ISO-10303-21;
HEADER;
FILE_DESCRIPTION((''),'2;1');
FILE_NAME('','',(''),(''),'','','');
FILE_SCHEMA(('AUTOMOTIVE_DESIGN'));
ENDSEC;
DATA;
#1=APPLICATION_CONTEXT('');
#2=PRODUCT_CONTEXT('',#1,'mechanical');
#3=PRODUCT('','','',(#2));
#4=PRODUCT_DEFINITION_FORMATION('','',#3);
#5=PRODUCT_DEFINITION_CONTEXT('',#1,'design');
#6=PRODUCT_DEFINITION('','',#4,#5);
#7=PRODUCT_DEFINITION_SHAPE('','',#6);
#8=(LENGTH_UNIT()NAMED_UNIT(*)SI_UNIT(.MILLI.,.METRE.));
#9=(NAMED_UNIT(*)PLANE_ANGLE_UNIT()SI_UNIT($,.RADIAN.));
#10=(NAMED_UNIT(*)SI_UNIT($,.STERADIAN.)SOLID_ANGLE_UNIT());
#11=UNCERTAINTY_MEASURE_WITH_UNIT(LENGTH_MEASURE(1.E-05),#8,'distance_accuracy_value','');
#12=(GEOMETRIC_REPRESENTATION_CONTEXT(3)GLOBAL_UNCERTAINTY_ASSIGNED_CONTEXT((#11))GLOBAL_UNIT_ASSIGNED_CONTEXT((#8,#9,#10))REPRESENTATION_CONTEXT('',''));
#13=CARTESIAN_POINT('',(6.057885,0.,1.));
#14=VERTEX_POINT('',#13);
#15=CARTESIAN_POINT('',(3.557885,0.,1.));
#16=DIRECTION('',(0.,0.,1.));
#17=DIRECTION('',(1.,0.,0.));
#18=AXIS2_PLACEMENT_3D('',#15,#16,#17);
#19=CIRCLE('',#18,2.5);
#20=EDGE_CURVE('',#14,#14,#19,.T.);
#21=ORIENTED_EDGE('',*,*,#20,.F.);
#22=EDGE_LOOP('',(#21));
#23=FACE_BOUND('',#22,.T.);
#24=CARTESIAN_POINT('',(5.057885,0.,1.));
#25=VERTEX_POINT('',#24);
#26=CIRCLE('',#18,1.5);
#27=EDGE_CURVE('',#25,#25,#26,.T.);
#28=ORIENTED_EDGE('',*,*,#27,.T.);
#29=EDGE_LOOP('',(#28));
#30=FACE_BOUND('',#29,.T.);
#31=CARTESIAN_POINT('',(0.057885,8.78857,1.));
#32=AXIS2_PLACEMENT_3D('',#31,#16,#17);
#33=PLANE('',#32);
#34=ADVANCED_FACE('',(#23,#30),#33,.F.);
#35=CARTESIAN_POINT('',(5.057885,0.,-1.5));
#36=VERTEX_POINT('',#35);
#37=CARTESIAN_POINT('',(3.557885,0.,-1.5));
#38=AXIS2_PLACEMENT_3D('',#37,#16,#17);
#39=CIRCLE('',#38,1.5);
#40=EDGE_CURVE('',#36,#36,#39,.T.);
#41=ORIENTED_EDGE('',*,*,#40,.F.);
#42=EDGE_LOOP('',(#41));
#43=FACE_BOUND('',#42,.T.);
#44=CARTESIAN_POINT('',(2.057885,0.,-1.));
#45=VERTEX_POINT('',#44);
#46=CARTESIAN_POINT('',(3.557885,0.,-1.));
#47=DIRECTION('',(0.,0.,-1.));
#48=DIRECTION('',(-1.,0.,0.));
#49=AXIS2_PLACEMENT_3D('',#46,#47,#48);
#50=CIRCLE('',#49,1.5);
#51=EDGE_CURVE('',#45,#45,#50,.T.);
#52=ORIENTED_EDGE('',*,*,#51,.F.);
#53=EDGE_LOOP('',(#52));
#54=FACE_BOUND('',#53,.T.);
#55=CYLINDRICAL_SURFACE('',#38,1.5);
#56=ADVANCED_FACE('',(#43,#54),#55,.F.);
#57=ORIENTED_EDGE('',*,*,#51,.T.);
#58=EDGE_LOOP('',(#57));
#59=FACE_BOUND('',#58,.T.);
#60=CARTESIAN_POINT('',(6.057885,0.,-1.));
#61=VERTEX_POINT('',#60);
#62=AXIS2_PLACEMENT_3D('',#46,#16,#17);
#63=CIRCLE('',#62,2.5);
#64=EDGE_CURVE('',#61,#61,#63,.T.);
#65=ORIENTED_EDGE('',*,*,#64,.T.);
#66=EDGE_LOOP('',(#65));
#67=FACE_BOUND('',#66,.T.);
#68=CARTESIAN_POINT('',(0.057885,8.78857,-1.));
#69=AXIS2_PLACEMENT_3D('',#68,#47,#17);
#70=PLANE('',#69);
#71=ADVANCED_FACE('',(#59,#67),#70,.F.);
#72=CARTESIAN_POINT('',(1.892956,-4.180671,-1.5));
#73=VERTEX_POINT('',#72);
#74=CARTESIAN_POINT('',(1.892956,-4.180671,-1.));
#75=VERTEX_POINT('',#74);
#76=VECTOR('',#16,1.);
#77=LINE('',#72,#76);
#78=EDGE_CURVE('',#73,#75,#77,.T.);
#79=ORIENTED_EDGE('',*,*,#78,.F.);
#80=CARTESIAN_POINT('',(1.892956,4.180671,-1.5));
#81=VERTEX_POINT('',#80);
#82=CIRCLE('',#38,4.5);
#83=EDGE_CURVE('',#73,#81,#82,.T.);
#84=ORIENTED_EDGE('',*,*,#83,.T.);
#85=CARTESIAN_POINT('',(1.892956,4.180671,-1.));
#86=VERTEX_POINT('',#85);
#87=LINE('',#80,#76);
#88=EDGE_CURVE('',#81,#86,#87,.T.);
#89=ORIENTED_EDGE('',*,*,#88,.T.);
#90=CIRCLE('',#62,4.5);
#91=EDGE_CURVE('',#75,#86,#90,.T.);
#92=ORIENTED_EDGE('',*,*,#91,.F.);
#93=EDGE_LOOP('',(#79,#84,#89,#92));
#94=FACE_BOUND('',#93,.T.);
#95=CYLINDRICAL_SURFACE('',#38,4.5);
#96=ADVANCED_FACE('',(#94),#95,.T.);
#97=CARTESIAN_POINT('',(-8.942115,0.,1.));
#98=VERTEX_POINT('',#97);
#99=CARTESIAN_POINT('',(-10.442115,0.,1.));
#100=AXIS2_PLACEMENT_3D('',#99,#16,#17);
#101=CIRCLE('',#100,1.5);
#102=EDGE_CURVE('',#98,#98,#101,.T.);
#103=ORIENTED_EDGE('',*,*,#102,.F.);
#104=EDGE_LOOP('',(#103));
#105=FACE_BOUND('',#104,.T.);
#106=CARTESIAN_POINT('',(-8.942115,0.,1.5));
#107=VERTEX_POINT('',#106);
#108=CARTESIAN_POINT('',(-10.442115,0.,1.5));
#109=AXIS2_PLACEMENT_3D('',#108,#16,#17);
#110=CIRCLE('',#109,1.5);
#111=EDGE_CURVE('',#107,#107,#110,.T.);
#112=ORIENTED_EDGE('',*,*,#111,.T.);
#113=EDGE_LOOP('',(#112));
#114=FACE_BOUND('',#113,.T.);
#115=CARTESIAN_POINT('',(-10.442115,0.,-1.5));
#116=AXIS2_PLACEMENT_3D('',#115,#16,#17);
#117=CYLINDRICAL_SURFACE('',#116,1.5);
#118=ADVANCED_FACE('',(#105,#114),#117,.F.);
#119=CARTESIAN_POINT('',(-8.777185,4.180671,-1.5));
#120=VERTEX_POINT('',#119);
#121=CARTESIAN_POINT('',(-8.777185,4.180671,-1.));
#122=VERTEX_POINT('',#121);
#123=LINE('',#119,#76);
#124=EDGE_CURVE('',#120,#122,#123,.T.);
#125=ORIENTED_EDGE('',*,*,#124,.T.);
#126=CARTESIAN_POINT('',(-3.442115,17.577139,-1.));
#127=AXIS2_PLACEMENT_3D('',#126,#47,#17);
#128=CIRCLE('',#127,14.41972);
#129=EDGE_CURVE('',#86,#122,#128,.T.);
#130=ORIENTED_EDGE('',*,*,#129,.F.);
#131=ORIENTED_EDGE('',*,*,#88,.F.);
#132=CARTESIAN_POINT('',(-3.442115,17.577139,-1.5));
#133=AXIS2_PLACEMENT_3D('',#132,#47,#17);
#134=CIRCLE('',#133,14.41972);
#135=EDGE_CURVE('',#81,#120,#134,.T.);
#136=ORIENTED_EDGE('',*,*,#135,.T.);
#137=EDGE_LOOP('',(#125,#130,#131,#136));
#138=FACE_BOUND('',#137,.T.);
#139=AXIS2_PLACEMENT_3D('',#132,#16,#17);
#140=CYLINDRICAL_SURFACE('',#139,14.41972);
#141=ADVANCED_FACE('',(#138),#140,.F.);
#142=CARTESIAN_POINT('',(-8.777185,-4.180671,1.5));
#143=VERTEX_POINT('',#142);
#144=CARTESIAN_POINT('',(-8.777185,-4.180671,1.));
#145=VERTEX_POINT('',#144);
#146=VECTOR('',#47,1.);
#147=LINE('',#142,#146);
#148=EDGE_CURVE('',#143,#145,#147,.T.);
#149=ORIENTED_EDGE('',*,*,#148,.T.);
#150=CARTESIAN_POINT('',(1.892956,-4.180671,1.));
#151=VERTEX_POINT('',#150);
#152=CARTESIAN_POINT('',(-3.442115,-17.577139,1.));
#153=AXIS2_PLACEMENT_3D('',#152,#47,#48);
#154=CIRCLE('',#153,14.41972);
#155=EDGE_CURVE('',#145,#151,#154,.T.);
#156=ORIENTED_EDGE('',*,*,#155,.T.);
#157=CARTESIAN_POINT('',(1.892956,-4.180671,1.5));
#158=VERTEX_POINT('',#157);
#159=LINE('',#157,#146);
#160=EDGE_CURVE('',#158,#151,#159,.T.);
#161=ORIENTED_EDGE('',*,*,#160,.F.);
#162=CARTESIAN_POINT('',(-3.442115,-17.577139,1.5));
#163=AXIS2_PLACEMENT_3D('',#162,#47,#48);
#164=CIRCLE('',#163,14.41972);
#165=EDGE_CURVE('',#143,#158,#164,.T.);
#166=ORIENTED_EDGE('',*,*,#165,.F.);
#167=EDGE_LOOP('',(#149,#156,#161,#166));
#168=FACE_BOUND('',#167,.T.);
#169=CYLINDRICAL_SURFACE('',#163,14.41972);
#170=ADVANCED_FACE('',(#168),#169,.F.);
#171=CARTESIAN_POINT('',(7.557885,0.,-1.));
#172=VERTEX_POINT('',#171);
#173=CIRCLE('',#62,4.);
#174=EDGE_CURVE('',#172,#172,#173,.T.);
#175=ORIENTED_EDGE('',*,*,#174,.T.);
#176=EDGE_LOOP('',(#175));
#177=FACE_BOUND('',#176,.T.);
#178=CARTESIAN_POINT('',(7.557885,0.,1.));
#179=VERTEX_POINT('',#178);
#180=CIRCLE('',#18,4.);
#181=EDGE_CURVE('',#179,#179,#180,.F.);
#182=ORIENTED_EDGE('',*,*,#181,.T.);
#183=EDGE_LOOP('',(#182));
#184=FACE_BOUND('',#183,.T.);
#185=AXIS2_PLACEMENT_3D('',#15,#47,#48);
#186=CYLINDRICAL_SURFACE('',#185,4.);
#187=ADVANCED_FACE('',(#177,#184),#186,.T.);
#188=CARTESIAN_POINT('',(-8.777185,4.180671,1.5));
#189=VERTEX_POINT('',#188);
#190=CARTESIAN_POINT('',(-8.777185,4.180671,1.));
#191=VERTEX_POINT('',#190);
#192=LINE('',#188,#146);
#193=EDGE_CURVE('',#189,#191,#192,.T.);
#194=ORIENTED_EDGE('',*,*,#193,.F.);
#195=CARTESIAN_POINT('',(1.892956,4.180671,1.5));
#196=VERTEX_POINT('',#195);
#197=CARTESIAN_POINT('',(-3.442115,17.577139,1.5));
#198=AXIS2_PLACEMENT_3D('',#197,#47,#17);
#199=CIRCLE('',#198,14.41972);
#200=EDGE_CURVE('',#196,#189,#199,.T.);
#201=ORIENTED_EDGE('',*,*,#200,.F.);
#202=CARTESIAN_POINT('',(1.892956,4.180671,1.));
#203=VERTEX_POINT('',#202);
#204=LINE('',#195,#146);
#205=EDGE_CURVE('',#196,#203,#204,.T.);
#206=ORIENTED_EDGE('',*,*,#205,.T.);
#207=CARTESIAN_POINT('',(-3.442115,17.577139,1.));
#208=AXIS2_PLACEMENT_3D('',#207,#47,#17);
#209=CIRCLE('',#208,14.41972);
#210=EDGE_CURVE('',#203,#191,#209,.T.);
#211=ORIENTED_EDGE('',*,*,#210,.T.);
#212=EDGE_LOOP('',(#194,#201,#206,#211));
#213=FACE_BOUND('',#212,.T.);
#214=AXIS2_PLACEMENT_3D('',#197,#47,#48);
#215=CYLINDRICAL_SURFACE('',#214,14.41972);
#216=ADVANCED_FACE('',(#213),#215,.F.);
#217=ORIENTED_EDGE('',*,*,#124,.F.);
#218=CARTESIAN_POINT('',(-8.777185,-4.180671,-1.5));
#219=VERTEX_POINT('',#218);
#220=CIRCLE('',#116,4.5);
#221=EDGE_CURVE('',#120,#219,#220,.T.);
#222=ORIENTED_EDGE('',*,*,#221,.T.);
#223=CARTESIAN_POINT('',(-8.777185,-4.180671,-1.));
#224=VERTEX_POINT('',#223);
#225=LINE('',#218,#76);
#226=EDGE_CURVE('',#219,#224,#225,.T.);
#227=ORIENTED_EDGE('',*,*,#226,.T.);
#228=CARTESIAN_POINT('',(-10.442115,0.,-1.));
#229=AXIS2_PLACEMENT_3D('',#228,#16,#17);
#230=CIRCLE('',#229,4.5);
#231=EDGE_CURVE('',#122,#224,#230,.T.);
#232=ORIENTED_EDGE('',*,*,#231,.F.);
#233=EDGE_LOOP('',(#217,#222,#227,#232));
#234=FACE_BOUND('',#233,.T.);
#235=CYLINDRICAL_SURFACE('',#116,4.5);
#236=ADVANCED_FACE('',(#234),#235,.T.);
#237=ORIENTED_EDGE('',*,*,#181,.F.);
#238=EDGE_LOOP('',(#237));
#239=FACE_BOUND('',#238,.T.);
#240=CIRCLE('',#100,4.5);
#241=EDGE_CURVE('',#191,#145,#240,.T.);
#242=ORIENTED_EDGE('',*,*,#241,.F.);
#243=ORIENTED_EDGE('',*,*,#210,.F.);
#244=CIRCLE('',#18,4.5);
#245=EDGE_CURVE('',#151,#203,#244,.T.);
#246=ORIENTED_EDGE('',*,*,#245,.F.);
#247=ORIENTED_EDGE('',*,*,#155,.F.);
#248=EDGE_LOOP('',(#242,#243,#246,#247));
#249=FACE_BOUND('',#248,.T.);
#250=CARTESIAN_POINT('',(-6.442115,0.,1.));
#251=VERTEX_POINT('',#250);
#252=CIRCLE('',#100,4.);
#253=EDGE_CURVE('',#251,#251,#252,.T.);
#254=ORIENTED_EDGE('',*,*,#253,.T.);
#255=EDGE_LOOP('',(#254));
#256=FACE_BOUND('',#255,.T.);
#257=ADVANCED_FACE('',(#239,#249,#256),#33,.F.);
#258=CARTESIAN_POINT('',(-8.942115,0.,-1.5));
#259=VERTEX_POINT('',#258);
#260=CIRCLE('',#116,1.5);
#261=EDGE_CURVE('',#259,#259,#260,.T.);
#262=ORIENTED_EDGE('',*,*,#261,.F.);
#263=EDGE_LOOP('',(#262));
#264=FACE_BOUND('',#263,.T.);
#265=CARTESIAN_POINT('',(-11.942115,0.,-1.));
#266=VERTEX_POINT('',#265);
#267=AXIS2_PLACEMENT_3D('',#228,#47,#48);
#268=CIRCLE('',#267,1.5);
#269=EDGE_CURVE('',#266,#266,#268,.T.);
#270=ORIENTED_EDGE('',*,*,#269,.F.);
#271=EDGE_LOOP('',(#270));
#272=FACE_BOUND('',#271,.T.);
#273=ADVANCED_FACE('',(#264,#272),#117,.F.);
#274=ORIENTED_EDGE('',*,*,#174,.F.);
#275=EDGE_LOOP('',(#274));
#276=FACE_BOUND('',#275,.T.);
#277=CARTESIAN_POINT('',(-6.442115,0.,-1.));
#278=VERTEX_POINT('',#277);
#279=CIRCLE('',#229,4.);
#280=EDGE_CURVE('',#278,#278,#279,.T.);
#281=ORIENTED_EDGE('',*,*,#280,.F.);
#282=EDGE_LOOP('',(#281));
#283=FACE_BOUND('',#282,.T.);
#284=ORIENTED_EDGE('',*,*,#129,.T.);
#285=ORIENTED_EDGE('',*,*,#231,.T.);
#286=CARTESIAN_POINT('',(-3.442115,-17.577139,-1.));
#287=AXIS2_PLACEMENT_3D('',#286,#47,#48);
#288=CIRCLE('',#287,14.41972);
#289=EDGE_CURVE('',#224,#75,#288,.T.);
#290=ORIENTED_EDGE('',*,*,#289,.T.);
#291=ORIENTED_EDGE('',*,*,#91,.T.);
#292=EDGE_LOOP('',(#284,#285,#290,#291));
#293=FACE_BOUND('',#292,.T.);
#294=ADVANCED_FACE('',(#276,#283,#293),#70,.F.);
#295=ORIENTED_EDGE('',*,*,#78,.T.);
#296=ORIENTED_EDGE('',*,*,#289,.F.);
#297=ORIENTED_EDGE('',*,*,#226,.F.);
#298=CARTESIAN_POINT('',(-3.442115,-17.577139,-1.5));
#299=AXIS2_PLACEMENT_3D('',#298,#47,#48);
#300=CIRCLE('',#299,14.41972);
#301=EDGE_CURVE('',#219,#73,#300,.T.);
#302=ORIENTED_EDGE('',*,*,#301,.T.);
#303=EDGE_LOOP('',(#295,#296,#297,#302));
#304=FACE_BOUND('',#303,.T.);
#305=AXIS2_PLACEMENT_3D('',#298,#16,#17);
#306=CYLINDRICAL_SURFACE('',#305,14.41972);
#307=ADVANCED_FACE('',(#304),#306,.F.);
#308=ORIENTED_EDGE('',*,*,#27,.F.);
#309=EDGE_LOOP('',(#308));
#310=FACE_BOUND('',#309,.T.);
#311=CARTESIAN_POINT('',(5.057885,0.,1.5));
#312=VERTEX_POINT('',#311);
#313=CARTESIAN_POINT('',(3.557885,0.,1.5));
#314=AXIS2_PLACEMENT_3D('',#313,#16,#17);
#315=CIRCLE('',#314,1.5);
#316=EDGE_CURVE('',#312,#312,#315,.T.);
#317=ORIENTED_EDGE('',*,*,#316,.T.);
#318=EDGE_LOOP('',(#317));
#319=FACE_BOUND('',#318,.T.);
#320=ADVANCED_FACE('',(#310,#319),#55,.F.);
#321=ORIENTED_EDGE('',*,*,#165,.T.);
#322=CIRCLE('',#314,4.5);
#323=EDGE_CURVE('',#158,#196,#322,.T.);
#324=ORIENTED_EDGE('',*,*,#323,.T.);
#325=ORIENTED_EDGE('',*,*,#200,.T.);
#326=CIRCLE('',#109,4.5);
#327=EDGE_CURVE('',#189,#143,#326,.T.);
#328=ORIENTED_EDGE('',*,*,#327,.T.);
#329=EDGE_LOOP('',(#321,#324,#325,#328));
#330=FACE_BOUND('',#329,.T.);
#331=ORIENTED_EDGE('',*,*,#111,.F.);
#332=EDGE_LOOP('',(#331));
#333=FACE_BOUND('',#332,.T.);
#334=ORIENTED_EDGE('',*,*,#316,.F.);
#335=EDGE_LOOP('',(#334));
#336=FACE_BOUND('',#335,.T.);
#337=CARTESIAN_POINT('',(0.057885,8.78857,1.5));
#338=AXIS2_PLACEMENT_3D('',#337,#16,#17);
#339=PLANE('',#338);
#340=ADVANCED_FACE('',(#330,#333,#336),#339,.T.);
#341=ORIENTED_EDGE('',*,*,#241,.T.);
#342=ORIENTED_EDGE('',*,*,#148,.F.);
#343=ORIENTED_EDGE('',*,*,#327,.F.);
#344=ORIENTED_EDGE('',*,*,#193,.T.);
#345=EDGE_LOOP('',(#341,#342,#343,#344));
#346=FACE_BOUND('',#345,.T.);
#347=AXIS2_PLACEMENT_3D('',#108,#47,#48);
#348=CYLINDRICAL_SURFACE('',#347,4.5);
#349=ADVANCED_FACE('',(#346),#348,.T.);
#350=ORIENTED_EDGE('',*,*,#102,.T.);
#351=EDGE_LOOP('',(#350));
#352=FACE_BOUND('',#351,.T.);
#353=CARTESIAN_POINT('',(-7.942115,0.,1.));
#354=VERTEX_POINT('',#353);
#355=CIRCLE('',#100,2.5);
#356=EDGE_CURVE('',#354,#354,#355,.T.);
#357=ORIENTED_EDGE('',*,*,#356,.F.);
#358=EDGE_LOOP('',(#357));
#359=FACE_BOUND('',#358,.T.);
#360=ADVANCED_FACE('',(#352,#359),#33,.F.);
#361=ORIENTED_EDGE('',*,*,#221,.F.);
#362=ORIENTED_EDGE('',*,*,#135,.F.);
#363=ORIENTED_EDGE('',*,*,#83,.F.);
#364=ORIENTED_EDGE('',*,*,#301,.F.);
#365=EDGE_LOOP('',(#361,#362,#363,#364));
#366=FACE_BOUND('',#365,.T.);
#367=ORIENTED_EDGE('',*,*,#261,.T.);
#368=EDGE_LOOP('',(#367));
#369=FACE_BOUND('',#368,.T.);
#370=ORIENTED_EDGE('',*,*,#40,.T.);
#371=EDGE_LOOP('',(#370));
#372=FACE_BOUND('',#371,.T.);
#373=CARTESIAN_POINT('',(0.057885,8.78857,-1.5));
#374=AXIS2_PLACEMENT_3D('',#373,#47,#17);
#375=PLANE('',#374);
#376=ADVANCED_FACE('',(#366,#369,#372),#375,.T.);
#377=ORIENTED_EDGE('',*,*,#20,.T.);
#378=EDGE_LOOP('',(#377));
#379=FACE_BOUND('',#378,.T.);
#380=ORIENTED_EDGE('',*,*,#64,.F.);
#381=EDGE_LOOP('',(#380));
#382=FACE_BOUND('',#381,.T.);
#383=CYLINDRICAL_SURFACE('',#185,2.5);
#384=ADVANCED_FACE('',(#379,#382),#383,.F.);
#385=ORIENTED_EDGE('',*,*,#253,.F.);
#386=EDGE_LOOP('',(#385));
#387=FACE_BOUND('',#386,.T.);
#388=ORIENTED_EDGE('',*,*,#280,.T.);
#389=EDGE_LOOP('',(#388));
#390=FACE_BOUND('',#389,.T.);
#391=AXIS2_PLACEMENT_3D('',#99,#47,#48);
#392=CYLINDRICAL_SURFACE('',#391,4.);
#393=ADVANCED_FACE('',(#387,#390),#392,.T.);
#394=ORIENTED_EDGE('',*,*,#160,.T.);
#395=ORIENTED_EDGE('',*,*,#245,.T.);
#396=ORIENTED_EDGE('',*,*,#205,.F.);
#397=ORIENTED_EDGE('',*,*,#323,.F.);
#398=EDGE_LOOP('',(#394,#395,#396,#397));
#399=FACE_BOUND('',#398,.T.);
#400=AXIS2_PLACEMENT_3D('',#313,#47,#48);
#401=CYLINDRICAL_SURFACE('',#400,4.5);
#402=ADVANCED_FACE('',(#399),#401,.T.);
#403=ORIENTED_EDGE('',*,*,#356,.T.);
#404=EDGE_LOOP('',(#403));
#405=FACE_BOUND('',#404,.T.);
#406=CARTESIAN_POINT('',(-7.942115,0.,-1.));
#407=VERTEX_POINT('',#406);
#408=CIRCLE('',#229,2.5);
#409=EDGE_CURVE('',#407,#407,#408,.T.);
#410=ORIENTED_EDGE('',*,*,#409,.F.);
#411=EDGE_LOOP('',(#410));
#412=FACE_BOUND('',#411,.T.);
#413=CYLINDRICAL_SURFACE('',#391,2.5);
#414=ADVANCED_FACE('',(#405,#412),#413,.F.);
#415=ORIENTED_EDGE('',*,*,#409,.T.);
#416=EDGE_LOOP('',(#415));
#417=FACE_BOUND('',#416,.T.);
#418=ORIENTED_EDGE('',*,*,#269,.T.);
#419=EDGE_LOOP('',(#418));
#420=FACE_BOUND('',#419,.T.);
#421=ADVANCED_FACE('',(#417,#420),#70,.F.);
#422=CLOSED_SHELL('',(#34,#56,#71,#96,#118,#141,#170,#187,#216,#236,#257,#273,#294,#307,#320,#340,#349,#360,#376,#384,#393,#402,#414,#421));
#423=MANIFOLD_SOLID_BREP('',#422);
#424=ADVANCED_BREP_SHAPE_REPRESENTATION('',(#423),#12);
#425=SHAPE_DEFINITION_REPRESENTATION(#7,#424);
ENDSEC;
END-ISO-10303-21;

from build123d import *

# Parameters (mm, degrees)
SKETCH1_R               = 4
SKETCH1_R_2             = 2.5
BOSS_EXTRUDE1_DEPTH     = 1
BOSS_EXTRUDE1_2_DEPTH   = 1
BOSS_EXTRUDE2_START     = 1
BOSS_EXTRUDE2_DEPTH     = 0.5
CUT_EXTRUDE1_DEPTH      = 16.67695104
CUT_EXTRUDE1_DEPTH_BACK = 16.67695104
SKETCH4_R               = 1.5


with BuildPart() as part:
    # Sketch1 → Boss-Extrude1 (new, symmetric)
    with BuildSketch(Plane.XY):
        with Locations((-10.442114773, 0)):
            Circle(SKETCH1_R)
        with Locations((-10.442114773, 0)):
            Circle(SKETCH1_R_2, mode=Mode.SUBTRACT)
    extrude(amount=BOSS_EXTRUDE1_DEPTH, both=True)



with BuildPart() as body_2:
    # Sketch1 → Boss-Extrude1 2 (new, symmetric)
    with BuildSketch(Plane.XY):
        with Locations((3.557885227, 0)):
            Circle(SKETCH1_R)
        with Locations((3.557885227, 0)):
            Circle(SKETCH1_R_2, mode=Mode.SUBTRACT)
    extrude(amount=BOSS_EXTRUDE1_2_DEPTH, both=True)


with BuildPart() as part_1:
    add(part.part)

    add(body_2.part)  # Boss-Extrude2 merges body 2
    # Sketch2 → Boss-Extrude2 (add)
    with BuildSketch(Plane.XY.offset(BOSS_EXTRUDE2_START)):
        with BuildLine():
            ThreePointArc((-8.7771853, 4.180670981), (-14.942114773, 0), (-8.7771853, -4.180670981))
            ThreePointArc((-8.7771853, -4.180670981), (-3.442114773, -3.157418725), (1.892955754, -4.180670981))
            ThreePointArc((1.892955754, -4.180670981), (8.057885227, 0), (1.892955754, 4.180670981))
            ThreePointArc((1.892955754, 4.180670981), (-3.442114773, 3.157418725), (-8.7771853, 4.180670981))
        make_face()
    boss_extrude2 = extrude(amount=BOSS_EXTRUDE2_DEPTH)

    # Mirror1: Boss-Extrude2 across plane
    add(boss_extrude2.mirror(Plane.XY))

    # Sketch4 → Cut-Extrude1 (cut, two sides: drawn at the far end of the back side and taken through both)
    with BuildSketch(Plane.XY.offset(-CUT_EXTRUDE1_DEPTH_BACK)):
        with Locations((-10.442114773, 0)):
            Circle(SKETCH4_R)
        with Locations((3.557885227, 0)):
            Circle(SKETCH4_R)
    extrude(amount=CUT_EXTRUDE1_DEPTH + CUT_EXTRUDE1_DEPTH_BACK, mode=Mode.SUBTRACT)


solid = part_1.part
